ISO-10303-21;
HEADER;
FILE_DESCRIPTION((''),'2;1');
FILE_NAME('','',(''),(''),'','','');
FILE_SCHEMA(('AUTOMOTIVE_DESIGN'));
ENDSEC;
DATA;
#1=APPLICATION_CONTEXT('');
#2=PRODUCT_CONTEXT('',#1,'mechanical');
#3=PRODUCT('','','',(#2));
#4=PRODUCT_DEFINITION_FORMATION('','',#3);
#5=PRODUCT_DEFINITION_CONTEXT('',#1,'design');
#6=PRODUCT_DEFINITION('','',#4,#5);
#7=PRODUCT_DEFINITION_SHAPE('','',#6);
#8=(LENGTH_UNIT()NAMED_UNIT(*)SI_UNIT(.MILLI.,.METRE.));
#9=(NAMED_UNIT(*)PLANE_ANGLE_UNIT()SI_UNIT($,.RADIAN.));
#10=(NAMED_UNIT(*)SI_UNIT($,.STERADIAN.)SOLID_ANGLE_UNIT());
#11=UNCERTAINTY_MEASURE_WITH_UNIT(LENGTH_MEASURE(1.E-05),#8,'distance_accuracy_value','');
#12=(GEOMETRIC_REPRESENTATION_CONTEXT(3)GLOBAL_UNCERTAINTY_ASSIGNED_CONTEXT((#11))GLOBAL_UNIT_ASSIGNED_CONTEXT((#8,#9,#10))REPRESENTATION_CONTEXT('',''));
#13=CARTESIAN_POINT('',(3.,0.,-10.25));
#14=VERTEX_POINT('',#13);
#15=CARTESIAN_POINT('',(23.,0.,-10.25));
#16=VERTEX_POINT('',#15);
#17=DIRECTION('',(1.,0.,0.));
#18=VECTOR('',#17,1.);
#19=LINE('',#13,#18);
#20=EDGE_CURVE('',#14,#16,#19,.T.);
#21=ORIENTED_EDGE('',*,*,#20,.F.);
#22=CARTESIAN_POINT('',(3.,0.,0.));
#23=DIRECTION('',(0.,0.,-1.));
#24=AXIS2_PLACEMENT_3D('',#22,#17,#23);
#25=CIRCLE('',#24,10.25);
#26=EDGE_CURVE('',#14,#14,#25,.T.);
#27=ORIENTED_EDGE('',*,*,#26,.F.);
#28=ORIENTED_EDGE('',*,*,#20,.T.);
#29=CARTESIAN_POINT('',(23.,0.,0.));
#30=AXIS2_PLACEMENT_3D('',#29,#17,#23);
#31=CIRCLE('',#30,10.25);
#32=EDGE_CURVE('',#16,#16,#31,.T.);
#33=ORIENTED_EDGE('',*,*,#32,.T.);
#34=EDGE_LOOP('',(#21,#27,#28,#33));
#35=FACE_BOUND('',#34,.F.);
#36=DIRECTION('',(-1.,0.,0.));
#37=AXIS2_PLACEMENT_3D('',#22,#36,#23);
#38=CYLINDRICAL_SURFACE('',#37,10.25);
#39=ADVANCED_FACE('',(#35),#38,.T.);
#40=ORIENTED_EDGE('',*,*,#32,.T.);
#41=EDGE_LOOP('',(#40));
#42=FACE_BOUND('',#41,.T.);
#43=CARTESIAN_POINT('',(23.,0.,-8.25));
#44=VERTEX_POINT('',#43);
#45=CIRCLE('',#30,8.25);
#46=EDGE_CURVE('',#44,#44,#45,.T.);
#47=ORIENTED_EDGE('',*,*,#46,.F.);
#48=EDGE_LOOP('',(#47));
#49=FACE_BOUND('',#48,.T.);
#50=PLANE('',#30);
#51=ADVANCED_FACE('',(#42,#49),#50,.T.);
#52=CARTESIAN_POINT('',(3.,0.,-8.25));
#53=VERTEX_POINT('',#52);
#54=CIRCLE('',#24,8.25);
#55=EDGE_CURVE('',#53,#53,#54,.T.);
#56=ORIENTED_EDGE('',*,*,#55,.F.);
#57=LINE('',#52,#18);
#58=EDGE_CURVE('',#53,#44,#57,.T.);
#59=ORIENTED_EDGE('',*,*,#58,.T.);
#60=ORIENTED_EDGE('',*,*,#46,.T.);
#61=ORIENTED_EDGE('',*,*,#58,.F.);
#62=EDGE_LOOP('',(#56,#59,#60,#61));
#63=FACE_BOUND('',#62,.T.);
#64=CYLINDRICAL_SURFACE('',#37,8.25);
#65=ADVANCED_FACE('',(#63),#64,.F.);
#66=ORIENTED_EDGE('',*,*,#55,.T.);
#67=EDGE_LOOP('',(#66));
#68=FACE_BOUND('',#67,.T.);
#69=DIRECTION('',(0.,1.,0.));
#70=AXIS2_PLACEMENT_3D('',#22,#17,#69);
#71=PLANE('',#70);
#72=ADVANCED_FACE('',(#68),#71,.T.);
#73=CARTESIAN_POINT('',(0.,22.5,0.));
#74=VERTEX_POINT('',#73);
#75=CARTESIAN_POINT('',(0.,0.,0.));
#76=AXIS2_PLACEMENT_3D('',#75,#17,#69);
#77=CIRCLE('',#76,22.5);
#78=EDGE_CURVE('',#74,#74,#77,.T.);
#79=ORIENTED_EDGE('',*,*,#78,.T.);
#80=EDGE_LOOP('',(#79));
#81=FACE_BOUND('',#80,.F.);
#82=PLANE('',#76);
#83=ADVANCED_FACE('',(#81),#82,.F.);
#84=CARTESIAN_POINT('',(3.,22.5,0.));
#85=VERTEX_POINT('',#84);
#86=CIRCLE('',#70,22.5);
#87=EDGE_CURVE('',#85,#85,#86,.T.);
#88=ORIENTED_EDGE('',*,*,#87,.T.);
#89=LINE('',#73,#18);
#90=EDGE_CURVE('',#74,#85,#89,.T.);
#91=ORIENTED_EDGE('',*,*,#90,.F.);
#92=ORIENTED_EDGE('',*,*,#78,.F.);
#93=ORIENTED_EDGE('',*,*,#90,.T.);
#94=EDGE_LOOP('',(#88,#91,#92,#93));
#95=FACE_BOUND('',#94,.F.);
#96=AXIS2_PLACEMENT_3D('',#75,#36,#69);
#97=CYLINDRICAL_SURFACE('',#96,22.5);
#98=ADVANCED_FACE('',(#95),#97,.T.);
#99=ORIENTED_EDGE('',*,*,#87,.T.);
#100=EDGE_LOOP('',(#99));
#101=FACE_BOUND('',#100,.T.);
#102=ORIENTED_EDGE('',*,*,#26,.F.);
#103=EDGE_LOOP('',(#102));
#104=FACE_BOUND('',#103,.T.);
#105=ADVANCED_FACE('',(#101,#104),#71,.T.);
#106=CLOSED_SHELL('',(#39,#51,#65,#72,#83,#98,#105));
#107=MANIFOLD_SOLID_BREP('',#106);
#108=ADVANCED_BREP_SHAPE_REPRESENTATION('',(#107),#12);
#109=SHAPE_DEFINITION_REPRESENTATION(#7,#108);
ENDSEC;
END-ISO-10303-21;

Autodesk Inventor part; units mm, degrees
ref_plane "YZ Plane" through (0, 0, 0) normal (1, 0, 0) x (0, 1, 0)
ref_plane "XZ Plane" through (0, 0, 0) normal (0, 1, 0) x (-1, 0, 0)
ref_plane "XY Plane" through (0, 0, 0) normal (0, 0, 1) x (1, 0, 0)
sketch "Sketch1" plane through (0, 0, 0) normal (1, 0, 0) x (0, 1, 0)
  circle A0 centre (0, 0) radius 22.5
  dimension "d0" = 45
extrude "Extrusion1" add sketch "Sketch1" along normal blind 3
sketch "Sketch2" plane through (3, 0, 0) normal (1, 0, 0) x (0, 0, -1)
  circle A0 centre (0, 0) radius 10.25
  circle A1 centre (0, 0) radius 8.25
  dimension "d3" = 20.5
  dimension "d4" = 16.5
extrude "Extrusion2" add sketch "Sketch2" along normal blind 20
properties part number "Leg EndCap - ForPoolNoodle" material "ABS Plastic"
